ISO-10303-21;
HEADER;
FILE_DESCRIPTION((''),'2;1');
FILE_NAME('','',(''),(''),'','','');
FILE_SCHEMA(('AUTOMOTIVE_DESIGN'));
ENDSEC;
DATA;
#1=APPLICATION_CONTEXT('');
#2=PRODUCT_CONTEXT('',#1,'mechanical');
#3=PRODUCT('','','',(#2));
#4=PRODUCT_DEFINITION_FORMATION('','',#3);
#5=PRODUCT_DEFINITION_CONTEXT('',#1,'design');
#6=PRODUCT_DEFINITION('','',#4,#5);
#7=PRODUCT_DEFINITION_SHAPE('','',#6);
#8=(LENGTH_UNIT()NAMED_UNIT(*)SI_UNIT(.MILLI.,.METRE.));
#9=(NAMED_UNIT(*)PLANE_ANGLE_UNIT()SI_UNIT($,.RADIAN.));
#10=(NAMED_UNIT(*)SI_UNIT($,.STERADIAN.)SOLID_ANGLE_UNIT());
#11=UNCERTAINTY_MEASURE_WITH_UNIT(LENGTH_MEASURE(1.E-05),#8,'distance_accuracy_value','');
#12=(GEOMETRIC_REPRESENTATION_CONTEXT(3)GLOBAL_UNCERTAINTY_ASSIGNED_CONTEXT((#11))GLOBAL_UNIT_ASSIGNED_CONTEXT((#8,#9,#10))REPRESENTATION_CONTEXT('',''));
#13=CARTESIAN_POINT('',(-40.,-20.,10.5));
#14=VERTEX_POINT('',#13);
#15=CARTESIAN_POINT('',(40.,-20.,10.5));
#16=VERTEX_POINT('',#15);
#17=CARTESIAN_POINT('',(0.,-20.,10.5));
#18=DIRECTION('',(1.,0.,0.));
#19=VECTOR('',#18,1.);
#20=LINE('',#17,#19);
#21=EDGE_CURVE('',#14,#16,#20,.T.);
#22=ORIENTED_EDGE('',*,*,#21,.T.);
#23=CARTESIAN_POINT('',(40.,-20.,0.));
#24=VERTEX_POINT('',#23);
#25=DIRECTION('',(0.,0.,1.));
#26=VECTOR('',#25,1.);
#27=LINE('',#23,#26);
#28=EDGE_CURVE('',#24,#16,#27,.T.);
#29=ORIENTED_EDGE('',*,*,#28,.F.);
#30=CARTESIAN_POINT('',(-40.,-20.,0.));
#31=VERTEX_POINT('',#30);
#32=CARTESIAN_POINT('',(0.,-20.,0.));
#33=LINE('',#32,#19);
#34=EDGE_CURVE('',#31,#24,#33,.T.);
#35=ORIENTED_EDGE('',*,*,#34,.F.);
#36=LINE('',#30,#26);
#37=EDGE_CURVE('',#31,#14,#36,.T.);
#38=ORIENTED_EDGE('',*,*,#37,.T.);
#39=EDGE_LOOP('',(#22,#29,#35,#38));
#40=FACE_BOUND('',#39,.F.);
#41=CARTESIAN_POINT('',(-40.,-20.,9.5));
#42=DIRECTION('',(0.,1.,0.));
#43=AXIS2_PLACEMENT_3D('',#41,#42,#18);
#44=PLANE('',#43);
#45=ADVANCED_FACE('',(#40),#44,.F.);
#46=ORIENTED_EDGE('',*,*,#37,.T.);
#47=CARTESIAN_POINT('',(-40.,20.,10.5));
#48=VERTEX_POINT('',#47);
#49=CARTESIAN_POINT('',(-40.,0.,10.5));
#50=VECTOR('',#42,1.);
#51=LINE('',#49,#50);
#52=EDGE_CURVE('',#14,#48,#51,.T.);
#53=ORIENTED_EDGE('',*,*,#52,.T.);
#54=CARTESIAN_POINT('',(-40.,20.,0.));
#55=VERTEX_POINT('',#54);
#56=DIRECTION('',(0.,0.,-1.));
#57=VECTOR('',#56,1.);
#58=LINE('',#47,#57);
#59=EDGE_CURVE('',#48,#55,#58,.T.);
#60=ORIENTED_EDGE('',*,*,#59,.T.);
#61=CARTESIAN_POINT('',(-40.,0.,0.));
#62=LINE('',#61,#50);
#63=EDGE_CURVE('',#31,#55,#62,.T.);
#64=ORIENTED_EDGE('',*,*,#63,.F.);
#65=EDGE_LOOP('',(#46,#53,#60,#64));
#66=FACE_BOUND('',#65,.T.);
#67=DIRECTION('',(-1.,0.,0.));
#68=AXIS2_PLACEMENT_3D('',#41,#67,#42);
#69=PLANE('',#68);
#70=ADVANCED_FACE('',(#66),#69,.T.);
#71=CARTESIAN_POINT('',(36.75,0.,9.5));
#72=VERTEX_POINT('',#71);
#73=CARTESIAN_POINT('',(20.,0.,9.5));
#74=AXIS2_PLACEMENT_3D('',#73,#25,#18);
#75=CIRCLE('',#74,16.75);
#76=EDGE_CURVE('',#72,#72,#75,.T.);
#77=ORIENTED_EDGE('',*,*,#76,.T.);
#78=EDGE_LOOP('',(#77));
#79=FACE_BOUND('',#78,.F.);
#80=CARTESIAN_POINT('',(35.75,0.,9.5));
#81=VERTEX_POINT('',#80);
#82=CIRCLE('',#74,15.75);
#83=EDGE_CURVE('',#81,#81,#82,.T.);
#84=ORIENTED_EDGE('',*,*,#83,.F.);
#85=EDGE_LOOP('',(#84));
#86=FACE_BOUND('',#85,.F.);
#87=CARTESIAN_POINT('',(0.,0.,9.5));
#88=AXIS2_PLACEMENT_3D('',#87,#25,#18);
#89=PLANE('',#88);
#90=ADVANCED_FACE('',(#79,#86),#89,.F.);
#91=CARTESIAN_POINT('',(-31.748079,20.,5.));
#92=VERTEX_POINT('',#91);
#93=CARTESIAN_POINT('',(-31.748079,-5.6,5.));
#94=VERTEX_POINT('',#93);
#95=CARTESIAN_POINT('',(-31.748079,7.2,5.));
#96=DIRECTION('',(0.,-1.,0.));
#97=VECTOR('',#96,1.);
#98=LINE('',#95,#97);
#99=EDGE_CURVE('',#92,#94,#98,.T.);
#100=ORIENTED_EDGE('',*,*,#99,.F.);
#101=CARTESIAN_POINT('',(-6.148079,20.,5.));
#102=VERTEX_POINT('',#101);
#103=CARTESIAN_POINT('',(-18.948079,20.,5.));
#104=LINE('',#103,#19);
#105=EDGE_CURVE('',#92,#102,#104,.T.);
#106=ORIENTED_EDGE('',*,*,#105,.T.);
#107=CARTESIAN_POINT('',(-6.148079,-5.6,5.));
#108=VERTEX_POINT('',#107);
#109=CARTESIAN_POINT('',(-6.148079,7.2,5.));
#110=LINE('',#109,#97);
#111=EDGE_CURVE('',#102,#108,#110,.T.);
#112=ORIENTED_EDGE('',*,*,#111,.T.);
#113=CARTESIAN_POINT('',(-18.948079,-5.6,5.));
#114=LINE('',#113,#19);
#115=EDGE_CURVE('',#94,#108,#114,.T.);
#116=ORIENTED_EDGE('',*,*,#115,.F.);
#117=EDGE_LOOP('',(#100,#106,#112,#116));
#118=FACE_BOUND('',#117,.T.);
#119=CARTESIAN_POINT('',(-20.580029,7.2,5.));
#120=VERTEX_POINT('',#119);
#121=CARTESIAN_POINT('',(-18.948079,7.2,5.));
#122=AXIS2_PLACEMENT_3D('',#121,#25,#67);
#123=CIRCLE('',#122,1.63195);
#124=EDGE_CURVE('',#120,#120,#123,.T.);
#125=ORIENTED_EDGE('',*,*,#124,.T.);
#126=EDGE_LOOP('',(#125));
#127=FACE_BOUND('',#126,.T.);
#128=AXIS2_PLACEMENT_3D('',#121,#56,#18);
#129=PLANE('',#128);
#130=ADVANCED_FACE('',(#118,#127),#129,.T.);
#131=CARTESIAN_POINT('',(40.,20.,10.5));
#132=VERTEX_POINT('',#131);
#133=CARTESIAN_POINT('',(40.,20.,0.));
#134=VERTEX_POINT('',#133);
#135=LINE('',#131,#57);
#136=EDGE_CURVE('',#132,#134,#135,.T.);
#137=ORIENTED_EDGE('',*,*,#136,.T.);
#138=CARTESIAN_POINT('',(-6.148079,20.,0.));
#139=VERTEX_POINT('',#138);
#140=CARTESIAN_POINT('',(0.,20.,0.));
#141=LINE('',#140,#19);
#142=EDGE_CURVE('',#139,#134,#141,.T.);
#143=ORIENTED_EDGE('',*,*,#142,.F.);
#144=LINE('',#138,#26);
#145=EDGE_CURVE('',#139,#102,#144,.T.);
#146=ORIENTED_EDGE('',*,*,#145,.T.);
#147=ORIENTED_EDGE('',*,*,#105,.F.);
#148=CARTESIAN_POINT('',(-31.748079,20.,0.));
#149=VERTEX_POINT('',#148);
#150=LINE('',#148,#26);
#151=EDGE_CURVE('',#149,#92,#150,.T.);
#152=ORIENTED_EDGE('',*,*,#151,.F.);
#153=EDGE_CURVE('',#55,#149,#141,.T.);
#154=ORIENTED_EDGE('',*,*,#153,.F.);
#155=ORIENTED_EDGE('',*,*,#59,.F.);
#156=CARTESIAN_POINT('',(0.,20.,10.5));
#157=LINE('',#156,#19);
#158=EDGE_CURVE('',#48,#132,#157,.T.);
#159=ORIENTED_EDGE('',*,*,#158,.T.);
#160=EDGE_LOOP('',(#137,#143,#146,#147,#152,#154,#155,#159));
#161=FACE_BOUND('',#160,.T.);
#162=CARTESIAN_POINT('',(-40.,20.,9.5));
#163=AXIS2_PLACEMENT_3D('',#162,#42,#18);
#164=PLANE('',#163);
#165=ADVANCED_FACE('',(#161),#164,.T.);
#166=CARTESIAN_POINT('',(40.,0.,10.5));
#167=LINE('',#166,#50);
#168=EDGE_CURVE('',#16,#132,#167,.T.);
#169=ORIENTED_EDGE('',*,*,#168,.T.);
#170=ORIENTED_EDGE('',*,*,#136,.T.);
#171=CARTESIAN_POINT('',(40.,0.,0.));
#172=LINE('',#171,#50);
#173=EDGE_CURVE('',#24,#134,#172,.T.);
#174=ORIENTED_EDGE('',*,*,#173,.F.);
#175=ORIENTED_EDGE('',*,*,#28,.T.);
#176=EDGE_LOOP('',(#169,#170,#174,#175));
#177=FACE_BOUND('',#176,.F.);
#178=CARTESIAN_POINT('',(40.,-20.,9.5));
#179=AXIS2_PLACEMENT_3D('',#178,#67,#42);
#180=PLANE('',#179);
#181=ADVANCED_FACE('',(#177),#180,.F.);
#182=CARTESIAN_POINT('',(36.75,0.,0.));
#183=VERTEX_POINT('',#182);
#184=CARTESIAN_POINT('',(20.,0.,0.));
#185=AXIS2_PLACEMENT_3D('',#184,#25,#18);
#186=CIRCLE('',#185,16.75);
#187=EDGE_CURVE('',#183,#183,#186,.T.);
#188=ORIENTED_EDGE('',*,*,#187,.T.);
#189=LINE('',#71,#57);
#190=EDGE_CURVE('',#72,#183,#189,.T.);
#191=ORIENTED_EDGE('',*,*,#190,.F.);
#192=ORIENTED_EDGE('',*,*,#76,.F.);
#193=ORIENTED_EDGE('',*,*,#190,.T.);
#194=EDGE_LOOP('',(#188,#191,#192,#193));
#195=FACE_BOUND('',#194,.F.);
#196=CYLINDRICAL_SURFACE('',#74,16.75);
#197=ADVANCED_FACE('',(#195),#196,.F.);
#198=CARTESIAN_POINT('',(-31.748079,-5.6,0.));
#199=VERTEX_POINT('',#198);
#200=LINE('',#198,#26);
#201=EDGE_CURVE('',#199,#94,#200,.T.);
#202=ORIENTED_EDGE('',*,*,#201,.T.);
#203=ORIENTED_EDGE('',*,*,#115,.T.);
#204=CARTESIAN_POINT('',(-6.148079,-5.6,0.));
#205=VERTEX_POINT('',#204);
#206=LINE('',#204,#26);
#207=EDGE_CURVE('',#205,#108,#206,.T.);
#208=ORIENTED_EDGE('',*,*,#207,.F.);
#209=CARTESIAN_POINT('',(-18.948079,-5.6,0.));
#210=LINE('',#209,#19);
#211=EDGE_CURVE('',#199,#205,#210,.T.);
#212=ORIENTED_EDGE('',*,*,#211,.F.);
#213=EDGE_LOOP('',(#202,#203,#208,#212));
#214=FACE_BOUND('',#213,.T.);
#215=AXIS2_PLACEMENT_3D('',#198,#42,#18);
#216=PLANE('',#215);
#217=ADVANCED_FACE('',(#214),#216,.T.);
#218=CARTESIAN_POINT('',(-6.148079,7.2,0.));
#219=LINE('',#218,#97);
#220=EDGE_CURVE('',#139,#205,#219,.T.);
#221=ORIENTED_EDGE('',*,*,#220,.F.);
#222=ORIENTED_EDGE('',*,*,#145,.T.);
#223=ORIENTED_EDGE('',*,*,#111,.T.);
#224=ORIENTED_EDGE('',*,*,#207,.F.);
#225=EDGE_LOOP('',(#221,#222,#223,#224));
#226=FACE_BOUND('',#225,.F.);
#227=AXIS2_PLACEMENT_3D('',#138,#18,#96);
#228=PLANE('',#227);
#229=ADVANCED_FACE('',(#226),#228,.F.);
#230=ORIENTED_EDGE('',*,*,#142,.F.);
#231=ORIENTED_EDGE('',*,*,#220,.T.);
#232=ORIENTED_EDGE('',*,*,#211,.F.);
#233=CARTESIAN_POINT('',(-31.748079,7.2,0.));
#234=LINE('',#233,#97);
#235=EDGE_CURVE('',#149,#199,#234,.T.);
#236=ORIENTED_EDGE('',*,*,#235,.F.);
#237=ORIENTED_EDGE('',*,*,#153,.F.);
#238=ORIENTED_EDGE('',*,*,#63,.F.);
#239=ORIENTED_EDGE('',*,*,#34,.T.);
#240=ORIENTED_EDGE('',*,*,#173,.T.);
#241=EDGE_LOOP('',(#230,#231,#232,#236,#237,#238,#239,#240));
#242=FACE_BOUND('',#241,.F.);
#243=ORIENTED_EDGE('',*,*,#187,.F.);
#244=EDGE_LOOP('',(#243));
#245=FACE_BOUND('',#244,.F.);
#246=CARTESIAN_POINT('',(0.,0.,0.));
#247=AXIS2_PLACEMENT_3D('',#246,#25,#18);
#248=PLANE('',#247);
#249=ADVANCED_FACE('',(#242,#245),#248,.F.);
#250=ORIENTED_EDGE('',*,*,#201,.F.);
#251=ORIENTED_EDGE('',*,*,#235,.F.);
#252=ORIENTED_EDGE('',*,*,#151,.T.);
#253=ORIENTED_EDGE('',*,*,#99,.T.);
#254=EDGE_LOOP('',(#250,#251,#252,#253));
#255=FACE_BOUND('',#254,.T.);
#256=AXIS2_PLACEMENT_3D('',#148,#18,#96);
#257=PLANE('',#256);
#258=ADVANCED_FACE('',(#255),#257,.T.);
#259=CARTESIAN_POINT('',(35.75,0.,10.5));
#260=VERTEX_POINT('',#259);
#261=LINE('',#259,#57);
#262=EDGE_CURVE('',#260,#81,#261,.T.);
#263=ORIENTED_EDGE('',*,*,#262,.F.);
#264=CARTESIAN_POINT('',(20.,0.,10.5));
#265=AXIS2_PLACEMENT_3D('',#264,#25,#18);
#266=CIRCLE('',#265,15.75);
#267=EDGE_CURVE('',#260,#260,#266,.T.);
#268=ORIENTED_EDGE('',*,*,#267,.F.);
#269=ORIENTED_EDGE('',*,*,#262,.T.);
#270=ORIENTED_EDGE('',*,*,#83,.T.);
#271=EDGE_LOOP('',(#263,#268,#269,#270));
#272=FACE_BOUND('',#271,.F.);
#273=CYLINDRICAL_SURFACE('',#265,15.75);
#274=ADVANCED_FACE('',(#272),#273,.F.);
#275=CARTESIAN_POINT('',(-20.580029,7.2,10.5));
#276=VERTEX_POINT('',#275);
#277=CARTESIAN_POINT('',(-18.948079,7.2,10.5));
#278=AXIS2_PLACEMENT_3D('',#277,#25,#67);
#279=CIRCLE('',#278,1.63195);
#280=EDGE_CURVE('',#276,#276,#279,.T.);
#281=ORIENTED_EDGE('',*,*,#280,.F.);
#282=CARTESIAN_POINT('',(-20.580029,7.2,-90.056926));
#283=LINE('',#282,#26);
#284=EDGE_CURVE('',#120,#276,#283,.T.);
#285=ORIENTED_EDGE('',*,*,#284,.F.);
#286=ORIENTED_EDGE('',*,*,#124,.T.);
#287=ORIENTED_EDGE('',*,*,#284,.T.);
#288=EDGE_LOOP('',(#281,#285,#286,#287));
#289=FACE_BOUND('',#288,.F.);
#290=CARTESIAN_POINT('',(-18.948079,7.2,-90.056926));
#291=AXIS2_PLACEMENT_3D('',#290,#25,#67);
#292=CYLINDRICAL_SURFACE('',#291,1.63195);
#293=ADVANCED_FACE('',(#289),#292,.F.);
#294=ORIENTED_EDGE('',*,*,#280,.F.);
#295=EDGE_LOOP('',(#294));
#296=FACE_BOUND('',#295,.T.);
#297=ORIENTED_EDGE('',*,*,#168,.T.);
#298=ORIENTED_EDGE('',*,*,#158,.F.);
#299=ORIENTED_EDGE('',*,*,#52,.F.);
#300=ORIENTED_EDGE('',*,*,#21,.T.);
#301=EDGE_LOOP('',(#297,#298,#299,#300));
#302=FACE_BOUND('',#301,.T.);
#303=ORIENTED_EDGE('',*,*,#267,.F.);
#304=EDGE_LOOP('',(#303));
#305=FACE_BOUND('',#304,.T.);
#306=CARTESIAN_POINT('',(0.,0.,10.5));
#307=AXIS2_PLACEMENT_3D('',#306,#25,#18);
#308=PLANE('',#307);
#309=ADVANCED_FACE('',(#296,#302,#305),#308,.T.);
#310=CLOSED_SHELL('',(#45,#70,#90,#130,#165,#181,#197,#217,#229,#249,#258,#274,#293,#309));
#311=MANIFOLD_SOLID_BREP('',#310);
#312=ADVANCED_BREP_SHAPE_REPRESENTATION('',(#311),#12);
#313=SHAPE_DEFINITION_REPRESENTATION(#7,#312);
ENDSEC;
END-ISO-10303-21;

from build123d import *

# Parameters (mm, degrees)
F0_W      = 80
F0_H      = 40
F1_DEPTH  = 9.5
F2_R      = 16.75
F3_DEPTH  = 9.5
F4_W      = 80
F4_H      = 40
F5_DEPTH  = 1
F6_R      = 15.75
F7_DEPTH  = 1
F9_D      = 3.2639
F8_W      = 25.6
F8_H      = 25.6
F10_DEPTH = 5


with BuildPart() as f1:
    # F0 (on Top) → F1 (new body)
    with BuildSketch(Plane.XY):
        Rectangle(F0_W, F0_H)
    extrude(amount=F1_DEPTH)

    # F2 (on face) → F3 (cut)
    with BuildSketch(Plane.XY.offset(9.5)):
        with Locations((20, 0)):
            Circle(F2_R)
    extrude(amount=-F3_DEPTH, mode=Mode.SUBTRACT)

    # F4 (on face) → F5 (join)
    with BuildSketch(Plane.XY.offset(9.5)):
        Rectangle(F4_W, F4_H)
    extrude(amount=F5_DEPTH)

    # F6 (on face) → F7 (cut)
    with BuildSketch(Plane.XY.offset(10.5)):
        with Locations((20, 0)):
            Circle(F6_R)
    extrude(amount=-F7_DEPTH, mode=Mode.SUBTRACT)

    # F9 (through all)
    with Locations(Plane(origin=(0, 0, 0), x_dir=(1, 0, 0), z_dir=(0, 0, -1))):
        with Locations((-18.9480787635, -7.2)):
            Hole(F9_D / 2)

    # F8 (on face) → F10 (cut)
    with BuildSketch(Plane(origin=(0, 0, 0), x_dir=(1, 0, 0), z_dir=(0, 0, -1))):
        with Locations((-18.9480787635, -7.2)):
            Rectangle(F8_W, F8_H)
    extrude(amount=-F10_DEPTH, mode=Mode.SUBTRACT)


solid = f1.part
